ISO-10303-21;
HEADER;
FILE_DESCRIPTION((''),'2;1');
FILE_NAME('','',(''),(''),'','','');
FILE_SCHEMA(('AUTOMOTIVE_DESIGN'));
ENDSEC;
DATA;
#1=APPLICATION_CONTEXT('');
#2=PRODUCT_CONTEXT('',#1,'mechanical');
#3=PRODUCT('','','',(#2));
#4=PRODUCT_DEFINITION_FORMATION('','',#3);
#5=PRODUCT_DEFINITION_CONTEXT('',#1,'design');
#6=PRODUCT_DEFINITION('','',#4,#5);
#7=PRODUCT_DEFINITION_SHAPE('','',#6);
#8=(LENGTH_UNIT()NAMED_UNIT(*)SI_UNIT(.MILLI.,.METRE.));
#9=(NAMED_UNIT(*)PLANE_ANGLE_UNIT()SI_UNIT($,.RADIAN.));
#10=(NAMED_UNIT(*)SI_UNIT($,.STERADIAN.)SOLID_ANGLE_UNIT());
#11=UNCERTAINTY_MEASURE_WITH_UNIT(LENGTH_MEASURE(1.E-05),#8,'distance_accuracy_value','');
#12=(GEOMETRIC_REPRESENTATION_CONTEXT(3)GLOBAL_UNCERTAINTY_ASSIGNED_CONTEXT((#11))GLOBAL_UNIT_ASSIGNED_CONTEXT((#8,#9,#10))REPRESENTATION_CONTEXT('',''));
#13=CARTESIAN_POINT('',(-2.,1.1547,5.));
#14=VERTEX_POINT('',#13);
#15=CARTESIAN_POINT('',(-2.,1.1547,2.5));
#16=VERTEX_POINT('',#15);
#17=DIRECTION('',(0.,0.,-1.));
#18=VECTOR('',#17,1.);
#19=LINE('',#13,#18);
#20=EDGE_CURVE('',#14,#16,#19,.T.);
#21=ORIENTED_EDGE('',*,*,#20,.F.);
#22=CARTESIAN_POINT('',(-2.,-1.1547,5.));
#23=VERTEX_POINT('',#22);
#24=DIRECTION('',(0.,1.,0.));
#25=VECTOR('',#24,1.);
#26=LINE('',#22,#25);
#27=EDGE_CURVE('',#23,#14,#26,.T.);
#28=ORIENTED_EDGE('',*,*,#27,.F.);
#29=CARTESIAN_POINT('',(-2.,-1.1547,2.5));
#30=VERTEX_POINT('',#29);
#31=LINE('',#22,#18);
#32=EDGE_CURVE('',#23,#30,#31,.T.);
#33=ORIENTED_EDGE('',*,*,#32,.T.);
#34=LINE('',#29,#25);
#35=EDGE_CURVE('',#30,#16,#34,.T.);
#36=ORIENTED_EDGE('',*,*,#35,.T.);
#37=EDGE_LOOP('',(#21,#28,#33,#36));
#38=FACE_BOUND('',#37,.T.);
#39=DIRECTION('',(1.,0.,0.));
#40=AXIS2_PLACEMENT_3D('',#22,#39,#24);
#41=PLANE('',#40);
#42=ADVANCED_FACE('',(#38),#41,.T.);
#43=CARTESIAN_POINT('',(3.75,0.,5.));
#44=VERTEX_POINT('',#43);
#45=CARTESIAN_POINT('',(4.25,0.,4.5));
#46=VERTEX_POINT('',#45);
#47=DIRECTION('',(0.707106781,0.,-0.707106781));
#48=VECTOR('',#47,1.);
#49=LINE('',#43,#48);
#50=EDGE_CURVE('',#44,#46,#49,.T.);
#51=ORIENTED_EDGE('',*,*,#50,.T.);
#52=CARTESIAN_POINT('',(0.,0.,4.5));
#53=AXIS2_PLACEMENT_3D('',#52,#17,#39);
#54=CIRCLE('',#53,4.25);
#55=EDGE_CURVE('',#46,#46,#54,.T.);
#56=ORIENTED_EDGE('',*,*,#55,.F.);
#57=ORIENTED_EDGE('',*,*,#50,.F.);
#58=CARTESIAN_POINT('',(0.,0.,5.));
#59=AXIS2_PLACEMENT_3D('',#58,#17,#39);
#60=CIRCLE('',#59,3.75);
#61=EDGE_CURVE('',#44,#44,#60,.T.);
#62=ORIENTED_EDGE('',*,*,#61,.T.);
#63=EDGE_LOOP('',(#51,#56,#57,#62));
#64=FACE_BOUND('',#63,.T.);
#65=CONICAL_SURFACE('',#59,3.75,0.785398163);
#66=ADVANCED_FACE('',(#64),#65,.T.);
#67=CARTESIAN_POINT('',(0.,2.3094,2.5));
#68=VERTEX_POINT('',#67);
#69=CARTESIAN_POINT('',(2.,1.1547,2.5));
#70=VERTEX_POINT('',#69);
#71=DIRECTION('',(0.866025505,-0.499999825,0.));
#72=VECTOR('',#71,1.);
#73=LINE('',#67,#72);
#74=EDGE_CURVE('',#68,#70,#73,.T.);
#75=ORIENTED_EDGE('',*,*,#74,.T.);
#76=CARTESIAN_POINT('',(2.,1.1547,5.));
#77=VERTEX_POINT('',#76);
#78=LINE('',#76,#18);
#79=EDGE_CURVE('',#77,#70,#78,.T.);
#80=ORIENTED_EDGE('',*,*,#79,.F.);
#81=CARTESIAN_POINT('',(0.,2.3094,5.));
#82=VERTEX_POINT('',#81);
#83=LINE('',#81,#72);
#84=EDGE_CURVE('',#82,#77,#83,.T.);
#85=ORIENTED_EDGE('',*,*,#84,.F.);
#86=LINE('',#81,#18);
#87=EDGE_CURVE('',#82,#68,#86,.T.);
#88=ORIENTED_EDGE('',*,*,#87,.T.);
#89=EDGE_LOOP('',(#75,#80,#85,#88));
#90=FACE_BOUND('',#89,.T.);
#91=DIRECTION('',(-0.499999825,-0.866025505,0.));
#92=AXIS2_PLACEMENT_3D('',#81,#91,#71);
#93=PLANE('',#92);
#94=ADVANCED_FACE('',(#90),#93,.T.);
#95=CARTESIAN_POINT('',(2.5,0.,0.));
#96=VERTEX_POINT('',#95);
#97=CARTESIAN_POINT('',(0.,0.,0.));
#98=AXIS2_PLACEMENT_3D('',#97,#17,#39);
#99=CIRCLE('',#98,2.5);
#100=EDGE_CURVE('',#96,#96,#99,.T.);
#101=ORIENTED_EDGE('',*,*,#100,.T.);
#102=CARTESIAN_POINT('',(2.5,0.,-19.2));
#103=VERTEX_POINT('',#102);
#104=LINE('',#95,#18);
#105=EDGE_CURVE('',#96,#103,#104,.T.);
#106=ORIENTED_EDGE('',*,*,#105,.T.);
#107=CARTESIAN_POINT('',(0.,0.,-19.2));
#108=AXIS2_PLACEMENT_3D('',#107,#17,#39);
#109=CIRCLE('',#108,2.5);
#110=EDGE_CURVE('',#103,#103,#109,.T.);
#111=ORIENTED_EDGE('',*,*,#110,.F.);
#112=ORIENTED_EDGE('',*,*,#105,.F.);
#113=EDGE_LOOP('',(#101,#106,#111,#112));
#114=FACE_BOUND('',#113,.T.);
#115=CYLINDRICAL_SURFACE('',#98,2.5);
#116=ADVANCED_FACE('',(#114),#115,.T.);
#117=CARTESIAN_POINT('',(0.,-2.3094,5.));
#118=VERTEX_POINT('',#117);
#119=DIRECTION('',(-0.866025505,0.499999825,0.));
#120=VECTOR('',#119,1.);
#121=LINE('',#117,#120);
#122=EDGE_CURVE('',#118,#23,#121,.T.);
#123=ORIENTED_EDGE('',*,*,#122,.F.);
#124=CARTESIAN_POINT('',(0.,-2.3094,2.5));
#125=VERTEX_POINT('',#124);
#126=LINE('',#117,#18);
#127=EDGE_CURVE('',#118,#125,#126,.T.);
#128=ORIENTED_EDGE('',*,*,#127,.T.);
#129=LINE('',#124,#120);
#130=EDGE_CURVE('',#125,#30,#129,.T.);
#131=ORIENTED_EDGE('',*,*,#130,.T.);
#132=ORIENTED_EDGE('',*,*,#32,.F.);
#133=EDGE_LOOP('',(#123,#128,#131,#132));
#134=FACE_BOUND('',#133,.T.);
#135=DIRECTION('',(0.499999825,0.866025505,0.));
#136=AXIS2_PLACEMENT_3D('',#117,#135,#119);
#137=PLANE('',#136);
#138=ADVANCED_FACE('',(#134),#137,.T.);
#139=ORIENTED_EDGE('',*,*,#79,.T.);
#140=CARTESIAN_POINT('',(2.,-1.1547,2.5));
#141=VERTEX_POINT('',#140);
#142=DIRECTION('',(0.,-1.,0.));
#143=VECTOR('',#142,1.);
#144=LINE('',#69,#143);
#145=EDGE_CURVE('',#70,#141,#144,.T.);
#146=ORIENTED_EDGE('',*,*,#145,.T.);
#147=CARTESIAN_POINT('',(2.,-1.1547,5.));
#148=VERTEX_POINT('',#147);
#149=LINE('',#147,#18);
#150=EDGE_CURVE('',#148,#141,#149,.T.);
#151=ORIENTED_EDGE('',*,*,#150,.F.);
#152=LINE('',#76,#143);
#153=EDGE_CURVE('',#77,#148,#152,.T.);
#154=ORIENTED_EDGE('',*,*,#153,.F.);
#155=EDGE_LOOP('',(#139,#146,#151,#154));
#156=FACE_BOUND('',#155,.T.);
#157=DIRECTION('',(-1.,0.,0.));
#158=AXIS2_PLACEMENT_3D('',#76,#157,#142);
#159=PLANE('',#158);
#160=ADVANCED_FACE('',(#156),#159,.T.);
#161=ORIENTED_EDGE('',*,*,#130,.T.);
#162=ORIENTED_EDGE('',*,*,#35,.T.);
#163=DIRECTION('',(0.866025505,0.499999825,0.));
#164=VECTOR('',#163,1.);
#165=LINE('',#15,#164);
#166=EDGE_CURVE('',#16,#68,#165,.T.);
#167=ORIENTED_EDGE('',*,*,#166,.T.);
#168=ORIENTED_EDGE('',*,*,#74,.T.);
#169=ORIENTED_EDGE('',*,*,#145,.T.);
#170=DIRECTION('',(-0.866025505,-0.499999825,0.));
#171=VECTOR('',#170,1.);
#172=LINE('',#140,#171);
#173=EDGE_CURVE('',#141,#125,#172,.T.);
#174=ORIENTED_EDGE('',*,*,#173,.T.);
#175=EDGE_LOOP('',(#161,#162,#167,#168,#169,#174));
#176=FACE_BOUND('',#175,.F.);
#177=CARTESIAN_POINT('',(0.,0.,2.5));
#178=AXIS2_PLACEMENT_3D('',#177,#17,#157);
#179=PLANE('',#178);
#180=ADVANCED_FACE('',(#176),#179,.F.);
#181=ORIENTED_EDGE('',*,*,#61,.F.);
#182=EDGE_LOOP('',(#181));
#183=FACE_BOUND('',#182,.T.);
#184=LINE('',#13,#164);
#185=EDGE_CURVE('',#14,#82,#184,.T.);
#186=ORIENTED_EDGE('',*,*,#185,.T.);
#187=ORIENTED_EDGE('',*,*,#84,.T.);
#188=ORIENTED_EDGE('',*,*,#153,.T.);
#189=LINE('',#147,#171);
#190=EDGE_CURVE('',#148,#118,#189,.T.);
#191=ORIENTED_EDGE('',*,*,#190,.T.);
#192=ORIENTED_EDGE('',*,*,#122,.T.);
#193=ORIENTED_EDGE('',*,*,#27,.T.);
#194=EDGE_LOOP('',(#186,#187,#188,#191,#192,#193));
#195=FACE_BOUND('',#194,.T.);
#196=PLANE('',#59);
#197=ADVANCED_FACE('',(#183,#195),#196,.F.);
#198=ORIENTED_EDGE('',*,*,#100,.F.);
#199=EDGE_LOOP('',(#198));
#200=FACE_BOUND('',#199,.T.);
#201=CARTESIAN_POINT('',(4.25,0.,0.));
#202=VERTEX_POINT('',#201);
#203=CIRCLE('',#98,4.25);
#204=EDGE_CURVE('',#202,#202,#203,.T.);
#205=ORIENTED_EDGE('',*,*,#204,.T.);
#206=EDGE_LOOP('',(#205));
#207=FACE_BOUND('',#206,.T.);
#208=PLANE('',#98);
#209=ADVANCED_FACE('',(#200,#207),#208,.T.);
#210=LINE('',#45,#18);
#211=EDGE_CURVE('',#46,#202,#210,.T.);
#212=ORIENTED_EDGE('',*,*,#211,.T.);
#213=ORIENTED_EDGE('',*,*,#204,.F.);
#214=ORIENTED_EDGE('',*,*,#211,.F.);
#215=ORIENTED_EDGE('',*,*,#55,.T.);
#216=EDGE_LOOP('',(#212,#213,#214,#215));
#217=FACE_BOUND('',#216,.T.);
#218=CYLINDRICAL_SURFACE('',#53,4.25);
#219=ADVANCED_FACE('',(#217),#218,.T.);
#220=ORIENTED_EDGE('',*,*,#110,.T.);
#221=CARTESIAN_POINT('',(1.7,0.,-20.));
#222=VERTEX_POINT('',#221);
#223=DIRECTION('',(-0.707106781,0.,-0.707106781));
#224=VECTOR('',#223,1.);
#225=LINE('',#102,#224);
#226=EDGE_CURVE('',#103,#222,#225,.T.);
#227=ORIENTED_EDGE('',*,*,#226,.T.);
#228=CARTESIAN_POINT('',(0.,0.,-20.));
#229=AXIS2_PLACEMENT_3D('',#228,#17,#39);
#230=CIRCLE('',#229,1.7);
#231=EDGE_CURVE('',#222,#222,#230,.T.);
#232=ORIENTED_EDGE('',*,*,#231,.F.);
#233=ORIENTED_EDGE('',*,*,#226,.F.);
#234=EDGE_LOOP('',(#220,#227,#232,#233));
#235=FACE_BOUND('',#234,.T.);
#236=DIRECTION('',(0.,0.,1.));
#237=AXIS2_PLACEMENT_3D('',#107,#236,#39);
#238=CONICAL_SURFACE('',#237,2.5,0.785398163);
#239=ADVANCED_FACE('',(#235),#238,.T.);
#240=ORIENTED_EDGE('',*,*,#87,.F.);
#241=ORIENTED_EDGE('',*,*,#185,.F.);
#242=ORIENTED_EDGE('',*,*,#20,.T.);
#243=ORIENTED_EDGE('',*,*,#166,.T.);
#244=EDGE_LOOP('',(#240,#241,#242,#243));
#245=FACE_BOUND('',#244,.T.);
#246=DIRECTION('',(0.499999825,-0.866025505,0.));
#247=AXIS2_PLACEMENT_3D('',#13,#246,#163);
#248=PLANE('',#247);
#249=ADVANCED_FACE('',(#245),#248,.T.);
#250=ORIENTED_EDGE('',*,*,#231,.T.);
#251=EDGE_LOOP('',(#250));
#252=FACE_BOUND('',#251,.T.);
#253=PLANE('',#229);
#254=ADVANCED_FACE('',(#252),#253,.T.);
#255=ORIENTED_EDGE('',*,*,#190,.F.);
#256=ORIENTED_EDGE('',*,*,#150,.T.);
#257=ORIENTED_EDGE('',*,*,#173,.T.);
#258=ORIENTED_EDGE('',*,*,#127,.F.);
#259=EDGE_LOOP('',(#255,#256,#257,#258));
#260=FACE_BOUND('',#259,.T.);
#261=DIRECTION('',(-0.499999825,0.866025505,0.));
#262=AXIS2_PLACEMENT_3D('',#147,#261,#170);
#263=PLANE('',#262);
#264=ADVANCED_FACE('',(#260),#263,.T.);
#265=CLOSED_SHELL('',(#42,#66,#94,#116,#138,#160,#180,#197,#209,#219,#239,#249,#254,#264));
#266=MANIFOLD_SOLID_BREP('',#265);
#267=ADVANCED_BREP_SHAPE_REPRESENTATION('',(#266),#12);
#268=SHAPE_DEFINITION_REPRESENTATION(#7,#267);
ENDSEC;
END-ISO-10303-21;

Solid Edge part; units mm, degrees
sketch "Sketch1" plane through (0, 0, 0) normal (0, -1, 0) x (1, 0, 0)
  line L0 (0, 5) -> (3.75, 5)
  line L1 (3.75, 5) -> (4.25, 4.5)
  line L2 (4.25, 4.5) -> (4.25, 0)
  line L3 (4.25, 0) -> (2.5, 0)
  line L4 (2.5, 0) -> (2.5, -19.2)
  line L5 (2.5, -19.2) -> (1.7, -20)
  line L6 (1.7, -20) -> (0, -20)
  line L7 (0, -20) -> (0, 5)
  dimension "D1" = 5
  dimension "D2" = 20
  dimension "D3" = 0.8
  dimension "D4" = 0.5
  dimension "D5" = 0.5
revolve "RevolvedProtrusion1" add sketch "Sketch1" angle 360 about axis through (0, 0, 54) along (0, 0, -1)
sketch "Sketch2" plane through (0, 0, 5) normal (0, 0, 1) x (0, 1, 0)
  line L0 (-2.3094, 0) -> (-1.1547, 2)
  line L1 (-1.1547, 2) -> (1.1547, 2)
  line L2 (1.1547, 2) -> (2.3094, 0)
  line L3 (2.3094, 0) -> (1.1547, -2)
  line L4 (1.1547, -2) -> (-1.1547, -2)
  line L5 (-1.1547, -2) -> (-2.3094, 0)
  dimension "D1" = 4
extrude "Cutout1" cut sketch "Sketch2" against normal blind 2.5
cosmetic_thread "Thread1"
properties material "Steel"
